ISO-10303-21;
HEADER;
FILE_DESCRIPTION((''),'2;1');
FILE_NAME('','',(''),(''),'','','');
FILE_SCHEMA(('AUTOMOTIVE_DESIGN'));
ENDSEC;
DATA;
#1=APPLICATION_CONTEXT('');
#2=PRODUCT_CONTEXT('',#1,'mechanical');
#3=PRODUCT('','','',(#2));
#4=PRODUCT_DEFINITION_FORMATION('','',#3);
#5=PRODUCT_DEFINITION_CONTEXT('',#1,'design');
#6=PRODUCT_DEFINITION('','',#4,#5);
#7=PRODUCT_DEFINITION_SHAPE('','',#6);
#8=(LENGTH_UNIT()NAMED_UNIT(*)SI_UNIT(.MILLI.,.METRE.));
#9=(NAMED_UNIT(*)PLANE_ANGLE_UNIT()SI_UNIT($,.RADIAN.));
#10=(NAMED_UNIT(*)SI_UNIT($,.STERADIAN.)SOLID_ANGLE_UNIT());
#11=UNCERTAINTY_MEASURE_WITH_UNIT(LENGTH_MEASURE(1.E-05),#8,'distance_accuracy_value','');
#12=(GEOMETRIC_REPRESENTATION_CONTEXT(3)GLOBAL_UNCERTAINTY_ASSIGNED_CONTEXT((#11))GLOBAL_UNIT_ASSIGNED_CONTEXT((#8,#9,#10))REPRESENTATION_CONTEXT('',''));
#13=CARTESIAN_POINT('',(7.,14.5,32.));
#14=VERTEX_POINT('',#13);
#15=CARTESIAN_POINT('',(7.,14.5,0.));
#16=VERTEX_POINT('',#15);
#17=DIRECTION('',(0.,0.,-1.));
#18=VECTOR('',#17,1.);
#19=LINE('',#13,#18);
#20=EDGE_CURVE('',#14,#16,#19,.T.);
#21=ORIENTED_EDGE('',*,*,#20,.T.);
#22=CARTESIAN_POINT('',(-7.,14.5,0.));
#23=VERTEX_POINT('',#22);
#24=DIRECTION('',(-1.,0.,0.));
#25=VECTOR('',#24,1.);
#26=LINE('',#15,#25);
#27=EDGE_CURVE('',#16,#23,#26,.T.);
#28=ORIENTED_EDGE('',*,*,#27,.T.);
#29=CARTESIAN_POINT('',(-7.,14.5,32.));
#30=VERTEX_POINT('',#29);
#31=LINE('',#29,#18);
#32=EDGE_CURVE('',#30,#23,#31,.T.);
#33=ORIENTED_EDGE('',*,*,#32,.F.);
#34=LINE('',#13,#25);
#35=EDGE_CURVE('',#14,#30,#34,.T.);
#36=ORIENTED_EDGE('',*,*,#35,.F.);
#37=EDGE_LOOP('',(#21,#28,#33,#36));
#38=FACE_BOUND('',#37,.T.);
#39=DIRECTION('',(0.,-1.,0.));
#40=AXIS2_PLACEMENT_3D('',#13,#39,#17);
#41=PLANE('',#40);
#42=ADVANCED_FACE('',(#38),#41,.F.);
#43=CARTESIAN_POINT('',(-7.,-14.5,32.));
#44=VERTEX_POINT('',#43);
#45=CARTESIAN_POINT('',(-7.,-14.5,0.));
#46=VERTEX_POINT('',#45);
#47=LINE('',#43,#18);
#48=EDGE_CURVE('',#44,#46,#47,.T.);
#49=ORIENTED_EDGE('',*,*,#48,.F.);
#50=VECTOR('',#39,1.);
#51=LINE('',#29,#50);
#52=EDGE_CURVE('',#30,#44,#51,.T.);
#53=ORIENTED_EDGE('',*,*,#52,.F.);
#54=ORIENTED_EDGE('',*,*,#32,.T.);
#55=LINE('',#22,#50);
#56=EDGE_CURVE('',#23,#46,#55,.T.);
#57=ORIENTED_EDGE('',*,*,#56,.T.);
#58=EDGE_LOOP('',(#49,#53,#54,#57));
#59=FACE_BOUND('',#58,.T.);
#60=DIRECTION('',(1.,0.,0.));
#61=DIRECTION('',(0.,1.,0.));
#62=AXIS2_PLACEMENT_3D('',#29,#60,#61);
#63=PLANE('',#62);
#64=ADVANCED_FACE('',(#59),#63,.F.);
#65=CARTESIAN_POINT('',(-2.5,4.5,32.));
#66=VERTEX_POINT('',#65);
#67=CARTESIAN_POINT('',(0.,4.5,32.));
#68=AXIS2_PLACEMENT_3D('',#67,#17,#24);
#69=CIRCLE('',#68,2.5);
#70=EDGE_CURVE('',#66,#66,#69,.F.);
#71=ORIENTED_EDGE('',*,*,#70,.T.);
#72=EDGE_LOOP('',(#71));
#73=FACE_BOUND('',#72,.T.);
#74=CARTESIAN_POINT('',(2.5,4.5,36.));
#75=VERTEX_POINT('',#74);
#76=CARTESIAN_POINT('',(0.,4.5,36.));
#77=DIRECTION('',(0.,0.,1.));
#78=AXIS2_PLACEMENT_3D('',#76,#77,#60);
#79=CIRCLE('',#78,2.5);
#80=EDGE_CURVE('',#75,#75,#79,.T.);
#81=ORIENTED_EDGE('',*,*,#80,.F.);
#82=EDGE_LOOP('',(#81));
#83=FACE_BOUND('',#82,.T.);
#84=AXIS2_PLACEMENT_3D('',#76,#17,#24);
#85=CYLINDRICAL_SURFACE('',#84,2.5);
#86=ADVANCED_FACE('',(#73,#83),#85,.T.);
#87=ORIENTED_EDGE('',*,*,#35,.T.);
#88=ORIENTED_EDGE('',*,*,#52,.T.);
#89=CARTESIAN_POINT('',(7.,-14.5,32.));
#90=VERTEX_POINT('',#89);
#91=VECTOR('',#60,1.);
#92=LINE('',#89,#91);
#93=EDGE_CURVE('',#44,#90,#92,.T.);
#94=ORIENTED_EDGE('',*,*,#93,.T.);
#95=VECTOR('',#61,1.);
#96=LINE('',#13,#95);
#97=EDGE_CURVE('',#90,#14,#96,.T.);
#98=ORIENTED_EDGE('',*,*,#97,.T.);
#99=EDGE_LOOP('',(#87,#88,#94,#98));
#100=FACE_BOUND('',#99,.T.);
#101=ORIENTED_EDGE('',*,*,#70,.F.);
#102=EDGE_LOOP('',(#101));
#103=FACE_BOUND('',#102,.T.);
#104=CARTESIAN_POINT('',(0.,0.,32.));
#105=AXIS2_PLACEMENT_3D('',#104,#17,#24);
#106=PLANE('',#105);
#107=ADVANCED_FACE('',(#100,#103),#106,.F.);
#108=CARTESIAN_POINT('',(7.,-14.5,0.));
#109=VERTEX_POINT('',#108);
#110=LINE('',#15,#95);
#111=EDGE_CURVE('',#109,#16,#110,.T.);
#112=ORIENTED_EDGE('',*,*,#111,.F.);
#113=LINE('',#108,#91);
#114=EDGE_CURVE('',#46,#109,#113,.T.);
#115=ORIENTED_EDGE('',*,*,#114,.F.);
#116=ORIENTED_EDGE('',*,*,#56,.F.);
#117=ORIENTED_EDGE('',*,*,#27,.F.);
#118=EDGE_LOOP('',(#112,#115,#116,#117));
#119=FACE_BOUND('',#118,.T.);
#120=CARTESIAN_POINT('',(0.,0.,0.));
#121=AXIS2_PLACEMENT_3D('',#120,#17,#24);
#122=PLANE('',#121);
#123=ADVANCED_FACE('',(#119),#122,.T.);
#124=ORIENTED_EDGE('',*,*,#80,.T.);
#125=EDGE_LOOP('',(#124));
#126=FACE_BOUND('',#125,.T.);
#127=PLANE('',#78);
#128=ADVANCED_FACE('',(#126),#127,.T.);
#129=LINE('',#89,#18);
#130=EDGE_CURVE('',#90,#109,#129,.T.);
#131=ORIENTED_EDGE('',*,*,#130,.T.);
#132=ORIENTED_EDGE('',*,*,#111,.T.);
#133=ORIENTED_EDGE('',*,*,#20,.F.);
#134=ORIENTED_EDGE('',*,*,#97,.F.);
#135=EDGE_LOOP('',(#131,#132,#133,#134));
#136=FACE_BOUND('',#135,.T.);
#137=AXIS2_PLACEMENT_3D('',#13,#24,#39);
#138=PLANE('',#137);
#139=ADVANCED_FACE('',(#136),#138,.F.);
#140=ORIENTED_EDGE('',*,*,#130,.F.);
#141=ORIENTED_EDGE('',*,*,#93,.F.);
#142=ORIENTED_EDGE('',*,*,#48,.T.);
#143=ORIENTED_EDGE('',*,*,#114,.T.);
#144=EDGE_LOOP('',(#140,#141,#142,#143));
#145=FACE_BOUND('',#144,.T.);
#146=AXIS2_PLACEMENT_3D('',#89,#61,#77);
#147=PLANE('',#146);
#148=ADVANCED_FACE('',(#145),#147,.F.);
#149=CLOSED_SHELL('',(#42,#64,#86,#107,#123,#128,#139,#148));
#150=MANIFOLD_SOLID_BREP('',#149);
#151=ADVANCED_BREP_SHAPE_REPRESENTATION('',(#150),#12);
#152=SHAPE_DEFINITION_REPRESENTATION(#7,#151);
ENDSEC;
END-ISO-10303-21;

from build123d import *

# Parameters (mm, degrees)
SKETCH1_W           = 14
SKETCH1_H           = 29
BOSS_EXTRUDE1_DEPTH = 32
SKETCH2_R           = 2.5
BOSS_EXTRUDE2_DEPTH = 4


with BuildPart() as part:
    # Sketch1 → Boss-Extrude1 (new body)
    with BuildSketch(Plane.XY):
        Rectangle(SKETCH1_W, SKETCH1_H)
    extrude(amount=BOSS_EXTRUDE1_DEPTH)

    # Sketch2 → Boss-Extrude2 (add)
    with BuildSketch(Plane.XY.offset(32)):
        with Locations((0, 4.5)):
            Circle(SKETCH2_R)
    extrude(amount=BOSS_EXTRUDE2_DEPTH)


solid = part.part
